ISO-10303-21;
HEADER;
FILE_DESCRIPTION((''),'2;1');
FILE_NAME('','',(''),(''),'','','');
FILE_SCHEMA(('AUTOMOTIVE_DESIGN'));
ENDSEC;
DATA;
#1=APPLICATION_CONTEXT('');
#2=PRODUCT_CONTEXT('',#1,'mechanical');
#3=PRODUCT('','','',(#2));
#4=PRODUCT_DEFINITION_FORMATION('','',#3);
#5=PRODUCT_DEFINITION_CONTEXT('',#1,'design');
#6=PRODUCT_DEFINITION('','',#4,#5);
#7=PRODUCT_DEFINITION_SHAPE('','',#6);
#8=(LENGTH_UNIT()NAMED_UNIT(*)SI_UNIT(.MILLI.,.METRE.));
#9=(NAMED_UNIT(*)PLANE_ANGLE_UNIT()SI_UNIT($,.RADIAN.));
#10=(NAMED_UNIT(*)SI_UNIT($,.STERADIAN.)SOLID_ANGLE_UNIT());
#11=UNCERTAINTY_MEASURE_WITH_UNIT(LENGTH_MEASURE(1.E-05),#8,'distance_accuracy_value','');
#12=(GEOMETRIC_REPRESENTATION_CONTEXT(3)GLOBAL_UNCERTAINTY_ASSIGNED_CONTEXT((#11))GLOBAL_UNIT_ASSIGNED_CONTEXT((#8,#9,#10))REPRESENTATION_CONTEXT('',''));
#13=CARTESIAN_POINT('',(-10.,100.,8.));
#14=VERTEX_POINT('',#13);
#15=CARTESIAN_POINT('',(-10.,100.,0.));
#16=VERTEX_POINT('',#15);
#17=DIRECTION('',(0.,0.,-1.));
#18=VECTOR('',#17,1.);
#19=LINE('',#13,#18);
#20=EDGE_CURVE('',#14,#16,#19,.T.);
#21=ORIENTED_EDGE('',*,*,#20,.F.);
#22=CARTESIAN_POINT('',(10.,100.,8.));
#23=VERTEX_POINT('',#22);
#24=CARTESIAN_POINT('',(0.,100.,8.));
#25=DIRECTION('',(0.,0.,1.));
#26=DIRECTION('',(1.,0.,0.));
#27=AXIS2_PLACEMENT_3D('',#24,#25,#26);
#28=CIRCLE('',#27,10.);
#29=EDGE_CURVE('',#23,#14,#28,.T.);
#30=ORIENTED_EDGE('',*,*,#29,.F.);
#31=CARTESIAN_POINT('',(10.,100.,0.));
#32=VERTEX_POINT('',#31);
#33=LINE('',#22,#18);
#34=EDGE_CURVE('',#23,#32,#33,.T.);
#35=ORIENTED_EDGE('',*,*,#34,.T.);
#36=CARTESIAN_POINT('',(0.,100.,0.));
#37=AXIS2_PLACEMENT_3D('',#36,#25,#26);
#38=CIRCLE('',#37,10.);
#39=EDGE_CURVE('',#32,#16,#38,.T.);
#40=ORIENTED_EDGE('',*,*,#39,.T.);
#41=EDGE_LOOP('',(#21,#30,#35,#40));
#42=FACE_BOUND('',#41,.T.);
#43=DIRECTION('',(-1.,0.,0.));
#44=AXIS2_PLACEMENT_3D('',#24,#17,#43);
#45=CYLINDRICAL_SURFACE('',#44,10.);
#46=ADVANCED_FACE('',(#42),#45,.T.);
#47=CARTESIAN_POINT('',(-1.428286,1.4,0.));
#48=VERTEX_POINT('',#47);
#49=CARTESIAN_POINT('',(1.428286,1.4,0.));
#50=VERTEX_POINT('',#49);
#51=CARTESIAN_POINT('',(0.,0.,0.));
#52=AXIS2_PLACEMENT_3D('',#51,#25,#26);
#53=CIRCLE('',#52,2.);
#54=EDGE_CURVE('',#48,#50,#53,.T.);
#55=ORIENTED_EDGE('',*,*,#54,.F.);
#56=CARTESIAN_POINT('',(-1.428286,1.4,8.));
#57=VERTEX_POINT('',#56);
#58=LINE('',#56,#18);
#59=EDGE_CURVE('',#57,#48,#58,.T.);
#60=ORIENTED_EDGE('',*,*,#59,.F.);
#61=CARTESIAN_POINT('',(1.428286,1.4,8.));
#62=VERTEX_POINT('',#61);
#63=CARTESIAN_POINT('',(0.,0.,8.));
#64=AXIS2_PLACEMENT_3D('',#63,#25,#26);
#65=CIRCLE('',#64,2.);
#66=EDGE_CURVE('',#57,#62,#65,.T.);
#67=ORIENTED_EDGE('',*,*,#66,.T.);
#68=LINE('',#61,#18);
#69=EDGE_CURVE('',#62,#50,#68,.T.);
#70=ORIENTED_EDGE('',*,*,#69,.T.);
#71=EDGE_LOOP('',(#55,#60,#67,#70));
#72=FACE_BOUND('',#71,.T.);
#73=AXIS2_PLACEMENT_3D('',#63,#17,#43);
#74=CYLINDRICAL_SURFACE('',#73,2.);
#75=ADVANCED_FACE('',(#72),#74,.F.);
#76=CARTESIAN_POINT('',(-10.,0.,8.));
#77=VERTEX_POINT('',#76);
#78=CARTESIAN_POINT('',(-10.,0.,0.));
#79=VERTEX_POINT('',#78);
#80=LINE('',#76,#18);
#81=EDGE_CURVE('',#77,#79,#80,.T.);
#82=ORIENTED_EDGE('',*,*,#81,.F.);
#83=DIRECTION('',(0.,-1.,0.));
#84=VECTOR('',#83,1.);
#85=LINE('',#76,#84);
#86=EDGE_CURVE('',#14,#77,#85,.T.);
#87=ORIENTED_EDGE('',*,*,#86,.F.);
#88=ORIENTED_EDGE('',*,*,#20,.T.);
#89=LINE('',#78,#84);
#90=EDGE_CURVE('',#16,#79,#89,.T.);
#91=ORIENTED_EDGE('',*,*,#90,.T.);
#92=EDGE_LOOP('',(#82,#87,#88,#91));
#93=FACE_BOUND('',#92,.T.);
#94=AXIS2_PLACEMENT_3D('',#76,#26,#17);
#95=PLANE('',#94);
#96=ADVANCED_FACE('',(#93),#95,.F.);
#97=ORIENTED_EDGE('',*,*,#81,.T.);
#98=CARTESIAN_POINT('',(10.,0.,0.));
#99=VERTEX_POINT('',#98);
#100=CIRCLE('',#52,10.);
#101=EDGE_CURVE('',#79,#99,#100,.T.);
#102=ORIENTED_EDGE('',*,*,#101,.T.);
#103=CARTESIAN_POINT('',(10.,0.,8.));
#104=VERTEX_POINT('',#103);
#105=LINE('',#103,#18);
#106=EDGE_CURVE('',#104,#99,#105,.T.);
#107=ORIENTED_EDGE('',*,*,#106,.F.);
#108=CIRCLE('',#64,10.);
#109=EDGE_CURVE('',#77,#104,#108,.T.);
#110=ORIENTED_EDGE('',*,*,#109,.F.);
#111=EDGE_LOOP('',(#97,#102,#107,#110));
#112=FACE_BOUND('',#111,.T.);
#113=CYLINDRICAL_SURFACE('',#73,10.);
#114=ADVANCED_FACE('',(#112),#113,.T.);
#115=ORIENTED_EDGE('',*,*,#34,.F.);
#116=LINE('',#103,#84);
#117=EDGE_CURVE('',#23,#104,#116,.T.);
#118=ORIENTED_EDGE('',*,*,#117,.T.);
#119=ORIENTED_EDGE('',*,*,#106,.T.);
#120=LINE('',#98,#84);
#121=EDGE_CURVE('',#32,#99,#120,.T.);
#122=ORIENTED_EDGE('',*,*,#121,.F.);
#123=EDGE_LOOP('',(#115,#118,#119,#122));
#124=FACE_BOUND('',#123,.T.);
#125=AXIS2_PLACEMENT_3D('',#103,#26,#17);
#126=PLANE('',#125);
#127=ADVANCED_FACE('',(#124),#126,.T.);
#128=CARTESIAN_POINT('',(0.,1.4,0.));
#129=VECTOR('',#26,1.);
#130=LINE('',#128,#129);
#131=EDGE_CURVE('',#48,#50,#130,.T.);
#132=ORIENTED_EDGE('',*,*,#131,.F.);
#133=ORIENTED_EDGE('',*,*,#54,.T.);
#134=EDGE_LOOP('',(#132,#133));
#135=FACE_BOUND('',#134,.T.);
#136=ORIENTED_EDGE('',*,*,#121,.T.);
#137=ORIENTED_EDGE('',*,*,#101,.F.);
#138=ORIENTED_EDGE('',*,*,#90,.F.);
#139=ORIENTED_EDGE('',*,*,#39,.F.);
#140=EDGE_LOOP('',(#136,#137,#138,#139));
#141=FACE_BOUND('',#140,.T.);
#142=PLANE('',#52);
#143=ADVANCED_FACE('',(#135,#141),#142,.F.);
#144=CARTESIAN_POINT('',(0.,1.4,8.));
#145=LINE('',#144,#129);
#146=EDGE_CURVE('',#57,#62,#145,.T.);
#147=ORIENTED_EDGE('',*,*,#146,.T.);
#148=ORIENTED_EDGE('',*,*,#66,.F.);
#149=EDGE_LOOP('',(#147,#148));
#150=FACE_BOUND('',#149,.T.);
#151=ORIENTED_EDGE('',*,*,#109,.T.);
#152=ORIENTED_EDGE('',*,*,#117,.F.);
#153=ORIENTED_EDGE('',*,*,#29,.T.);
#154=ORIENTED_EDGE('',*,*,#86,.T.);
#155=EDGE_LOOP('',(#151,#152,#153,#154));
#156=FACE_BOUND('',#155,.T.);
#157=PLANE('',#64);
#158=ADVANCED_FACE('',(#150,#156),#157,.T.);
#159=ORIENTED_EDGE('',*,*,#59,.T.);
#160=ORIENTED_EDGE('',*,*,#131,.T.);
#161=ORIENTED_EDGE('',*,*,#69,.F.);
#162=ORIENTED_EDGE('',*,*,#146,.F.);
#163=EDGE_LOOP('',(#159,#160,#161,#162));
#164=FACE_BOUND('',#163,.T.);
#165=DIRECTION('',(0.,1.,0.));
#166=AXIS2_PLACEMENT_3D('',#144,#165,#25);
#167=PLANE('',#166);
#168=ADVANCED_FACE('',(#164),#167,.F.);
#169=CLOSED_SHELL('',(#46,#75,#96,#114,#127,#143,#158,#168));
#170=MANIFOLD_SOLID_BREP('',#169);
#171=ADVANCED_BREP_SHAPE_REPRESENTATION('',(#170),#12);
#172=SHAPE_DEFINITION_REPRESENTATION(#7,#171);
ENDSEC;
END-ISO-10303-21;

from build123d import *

# Parameters (mm, degrees)
SALIENTE_EXTRUIR1_DEPTH = 8


with BuildPart() as part:
    # Croquis3 → Saliente-Extruir1 (new body)
    with BuildSketch(Plane.XY):
        with BuildLine():
            Line((10, 100), (10, 0))
            ThreePointArc((10, 0), (0, -10), (-10, 0))
            Line((-10, 0), (-10, 100))
            ThreePointArc((-10, 100), (0, 110), (10, 100))
        make_face()
        with BuildLine():
            ThreePointArc((-1.428285686, 1.4), (0, -2), (1.428285686, 1.4))
            Line((1.428285686, 1.4), (-1.428285686, 1.4))
        make_face(mode=Mode.SUBTRACT)
    extrude(amount=SALIENTE_EXTRUIR1_DEPTH)


solid = part.part
